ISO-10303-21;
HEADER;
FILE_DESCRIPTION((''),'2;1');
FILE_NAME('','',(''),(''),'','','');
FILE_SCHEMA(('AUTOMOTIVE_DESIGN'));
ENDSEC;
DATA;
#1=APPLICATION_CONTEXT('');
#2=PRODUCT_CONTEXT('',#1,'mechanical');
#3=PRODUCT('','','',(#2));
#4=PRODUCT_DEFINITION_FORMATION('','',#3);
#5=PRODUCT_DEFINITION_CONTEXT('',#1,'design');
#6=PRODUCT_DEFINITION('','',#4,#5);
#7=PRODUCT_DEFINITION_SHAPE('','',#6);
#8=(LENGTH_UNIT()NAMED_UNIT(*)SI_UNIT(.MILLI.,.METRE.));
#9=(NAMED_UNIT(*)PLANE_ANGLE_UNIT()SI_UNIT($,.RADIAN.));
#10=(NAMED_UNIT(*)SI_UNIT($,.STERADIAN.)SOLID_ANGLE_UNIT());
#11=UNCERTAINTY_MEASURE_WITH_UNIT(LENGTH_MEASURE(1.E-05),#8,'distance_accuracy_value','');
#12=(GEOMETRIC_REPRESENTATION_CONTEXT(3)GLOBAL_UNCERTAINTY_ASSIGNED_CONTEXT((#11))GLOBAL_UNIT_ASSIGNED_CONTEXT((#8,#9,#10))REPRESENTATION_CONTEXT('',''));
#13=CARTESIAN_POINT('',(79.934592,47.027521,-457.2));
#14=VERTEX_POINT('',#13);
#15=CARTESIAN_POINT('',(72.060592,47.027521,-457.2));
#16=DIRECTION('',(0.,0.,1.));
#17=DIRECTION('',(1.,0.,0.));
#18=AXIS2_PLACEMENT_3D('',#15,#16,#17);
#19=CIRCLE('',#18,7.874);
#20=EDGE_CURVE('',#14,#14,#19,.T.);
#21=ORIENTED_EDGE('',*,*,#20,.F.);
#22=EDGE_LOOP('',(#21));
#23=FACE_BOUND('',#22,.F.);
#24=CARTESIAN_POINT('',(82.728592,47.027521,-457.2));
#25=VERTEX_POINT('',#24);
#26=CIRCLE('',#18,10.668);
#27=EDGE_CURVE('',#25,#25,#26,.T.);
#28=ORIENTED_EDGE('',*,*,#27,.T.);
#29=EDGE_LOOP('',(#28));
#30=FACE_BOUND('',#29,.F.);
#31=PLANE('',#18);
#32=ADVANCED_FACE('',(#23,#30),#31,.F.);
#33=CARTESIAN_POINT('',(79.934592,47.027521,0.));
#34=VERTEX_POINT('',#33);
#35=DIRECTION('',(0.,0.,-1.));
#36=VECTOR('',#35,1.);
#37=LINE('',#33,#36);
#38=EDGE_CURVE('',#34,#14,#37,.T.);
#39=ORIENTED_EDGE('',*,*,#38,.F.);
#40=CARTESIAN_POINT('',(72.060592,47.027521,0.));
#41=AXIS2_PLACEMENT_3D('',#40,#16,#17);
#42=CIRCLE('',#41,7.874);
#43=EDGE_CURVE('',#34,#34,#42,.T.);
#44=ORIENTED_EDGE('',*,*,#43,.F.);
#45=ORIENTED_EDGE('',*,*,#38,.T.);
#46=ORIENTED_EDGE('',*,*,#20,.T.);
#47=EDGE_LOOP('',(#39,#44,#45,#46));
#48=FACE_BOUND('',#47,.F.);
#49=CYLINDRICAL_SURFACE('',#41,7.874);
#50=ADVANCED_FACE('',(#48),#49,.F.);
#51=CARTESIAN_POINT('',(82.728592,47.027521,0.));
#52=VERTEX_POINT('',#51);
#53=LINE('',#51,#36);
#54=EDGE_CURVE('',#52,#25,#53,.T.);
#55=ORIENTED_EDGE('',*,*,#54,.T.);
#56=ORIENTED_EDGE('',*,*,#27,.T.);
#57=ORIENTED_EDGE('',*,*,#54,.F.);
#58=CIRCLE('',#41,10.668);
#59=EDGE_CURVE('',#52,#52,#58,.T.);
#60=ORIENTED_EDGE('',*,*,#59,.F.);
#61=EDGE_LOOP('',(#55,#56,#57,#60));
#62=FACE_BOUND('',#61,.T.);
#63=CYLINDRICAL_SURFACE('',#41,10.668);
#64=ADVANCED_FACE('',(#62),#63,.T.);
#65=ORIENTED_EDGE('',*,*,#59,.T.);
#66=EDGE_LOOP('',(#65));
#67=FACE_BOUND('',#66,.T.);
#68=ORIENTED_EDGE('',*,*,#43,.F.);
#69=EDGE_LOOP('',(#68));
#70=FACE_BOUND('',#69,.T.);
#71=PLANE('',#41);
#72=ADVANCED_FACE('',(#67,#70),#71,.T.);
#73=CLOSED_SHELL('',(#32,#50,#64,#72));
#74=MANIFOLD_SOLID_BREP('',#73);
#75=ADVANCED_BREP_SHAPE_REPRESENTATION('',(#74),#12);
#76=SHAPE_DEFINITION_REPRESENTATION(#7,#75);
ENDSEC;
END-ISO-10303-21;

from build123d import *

# Parameters (mm, degrees)
F1_R     = 10.668
F1_R_2   = 7.874
F2_DEPTH = 457.2


with BuildPart() as f2:
    # F1 (on face) → F2 (new body)
    with BuildSketch(Plane.XY):
        with Locations((72.060592, 47.027521)):
            Circle(F1_R)
        with Locations((72.060592, 47.027521)):
            Circle(F1_R_2, mode=Mode.SUBTRACT)
    extrude(amount=-F2_DEPTH)


solid = f2.part
